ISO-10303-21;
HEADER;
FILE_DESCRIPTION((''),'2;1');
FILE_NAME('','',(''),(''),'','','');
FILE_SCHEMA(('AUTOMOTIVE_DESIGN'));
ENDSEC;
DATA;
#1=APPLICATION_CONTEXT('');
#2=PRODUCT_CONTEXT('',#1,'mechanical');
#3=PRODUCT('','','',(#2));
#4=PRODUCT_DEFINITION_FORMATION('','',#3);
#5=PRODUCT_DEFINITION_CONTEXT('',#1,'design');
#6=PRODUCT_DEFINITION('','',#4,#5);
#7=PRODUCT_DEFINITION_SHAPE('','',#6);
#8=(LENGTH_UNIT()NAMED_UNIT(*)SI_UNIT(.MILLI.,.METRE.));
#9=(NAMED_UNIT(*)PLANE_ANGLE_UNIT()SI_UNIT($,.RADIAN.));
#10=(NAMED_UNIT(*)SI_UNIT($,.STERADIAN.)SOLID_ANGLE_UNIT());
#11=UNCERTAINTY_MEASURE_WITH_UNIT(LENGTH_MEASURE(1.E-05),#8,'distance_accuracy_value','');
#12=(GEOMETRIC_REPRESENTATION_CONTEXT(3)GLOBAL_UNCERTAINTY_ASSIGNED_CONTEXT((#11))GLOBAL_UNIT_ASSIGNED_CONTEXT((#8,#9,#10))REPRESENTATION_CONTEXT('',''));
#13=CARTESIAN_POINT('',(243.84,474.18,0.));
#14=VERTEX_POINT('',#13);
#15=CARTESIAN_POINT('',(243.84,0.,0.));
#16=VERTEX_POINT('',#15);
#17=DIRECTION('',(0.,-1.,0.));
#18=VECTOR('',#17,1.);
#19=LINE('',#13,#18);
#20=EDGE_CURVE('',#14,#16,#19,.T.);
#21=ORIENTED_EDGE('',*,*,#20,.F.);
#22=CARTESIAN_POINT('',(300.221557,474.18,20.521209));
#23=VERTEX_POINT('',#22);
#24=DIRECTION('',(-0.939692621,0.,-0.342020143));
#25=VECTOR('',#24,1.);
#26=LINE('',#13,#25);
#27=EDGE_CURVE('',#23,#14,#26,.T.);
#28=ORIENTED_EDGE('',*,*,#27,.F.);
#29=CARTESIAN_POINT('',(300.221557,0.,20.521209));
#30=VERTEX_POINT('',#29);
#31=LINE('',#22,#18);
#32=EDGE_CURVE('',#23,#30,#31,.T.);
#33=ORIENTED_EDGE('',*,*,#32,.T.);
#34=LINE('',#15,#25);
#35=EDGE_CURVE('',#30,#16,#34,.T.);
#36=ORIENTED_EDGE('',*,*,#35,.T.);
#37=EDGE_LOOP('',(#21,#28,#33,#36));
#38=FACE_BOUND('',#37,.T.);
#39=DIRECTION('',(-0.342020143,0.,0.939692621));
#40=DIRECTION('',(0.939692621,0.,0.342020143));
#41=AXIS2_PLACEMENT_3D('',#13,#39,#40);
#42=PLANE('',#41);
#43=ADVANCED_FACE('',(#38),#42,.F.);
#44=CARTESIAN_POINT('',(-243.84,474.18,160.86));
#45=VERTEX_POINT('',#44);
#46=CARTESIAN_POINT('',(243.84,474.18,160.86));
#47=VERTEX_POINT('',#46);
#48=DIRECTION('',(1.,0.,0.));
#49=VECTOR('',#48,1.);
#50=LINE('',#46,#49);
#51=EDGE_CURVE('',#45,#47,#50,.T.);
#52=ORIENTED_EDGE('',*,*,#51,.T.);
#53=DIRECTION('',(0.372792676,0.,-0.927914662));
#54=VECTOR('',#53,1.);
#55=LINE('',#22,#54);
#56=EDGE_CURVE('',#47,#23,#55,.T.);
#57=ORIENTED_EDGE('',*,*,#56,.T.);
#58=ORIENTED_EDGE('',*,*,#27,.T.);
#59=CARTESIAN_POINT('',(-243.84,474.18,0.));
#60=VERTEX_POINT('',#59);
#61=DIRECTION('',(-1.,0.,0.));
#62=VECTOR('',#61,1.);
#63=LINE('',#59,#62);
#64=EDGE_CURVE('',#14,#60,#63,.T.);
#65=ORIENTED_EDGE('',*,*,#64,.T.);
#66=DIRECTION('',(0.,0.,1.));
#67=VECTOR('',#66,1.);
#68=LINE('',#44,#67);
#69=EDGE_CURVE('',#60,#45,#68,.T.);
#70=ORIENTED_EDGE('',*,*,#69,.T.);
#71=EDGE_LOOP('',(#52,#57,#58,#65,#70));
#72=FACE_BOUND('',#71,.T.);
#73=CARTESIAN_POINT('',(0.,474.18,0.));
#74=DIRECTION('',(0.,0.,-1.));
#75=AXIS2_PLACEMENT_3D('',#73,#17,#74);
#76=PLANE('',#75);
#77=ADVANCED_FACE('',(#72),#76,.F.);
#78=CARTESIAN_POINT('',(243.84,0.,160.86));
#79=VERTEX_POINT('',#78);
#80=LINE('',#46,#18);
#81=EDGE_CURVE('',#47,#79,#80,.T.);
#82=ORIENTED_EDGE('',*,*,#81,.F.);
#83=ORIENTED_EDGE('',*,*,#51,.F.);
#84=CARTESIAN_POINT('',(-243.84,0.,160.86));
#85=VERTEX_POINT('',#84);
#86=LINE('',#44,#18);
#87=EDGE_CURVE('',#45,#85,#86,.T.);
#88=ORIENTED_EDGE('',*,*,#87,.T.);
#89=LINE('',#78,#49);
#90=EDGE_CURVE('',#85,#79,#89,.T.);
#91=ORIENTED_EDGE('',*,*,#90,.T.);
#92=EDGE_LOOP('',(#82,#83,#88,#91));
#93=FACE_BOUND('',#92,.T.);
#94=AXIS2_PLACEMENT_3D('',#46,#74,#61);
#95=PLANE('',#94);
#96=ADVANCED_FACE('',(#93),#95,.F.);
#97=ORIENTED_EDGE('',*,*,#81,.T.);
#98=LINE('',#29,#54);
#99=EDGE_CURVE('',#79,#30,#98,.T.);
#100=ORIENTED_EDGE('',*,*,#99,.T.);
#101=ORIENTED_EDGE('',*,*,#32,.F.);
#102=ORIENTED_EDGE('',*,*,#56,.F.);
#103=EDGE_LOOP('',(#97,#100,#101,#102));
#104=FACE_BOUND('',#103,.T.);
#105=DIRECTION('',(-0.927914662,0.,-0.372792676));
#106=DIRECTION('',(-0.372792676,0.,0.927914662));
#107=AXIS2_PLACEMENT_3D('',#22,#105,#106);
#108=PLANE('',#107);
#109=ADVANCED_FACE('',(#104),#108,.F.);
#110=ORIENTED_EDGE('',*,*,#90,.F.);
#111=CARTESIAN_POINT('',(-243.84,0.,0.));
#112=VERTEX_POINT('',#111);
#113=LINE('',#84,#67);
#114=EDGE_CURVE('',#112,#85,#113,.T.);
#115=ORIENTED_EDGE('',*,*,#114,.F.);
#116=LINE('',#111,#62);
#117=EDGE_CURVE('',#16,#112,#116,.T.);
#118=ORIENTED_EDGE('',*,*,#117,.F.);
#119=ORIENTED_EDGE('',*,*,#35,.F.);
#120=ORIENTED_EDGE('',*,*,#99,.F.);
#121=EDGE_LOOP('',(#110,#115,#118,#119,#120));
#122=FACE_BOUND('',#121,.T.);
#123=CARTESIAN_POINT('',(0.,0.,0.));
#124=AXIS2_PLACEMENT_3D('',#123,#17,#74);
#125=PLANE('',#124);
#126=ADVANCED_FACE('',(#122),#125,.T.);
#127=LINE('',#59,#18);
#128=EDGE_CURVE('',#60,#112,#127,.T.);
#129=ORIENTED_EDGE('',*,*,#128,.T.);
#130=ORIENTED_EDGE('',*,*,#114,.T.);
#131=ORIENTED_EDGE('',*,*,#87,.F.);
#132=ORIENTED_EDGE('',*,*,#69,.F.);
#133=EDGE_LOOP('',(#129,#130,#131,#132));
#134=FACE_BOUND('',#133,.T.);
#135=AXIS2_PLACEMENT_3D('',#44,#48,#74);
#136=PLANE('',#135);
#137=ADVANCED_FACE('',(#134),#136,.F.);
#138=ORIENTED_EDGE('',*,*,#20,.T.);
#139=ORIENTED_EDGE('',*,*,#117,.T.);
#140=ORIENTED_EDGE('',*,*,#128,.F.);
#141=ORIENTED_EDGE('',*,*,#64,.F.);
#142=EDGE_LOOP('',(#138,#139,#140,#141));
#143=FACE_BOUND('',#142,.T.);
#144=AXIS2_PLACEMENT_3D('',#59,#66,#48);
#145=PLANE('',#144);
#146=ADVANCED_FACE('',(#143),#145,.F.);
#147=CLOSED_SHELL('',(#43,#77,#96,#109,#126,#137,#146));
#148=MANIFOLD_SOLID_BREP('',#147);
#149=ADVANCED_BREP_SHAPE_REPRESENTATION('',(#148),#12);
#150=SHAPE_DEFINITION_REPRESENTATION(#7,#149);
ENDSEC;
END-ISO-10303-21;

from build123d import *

# Parameters (mm, degrees)
BOSS_EXTRUDE1_DEPTH = 474.18


with BuildPart() as part:
    # Sketch2 → Boss-Extrude1 (new body)
    with BuildSketch(Plane(origin=(0, 0, 0), x_dir=(1, 0, 0), z_dir=(0, 1, 0))):
        Polygon((-243.84, 0), (243.84, 0), (300.221557247, -20.5212086), (243.84, -160.86), (-243.84, -160.86), align=None)
    extrude(amount=BOSS_EXTRUDE1_DEPTH)


solid = part.part
